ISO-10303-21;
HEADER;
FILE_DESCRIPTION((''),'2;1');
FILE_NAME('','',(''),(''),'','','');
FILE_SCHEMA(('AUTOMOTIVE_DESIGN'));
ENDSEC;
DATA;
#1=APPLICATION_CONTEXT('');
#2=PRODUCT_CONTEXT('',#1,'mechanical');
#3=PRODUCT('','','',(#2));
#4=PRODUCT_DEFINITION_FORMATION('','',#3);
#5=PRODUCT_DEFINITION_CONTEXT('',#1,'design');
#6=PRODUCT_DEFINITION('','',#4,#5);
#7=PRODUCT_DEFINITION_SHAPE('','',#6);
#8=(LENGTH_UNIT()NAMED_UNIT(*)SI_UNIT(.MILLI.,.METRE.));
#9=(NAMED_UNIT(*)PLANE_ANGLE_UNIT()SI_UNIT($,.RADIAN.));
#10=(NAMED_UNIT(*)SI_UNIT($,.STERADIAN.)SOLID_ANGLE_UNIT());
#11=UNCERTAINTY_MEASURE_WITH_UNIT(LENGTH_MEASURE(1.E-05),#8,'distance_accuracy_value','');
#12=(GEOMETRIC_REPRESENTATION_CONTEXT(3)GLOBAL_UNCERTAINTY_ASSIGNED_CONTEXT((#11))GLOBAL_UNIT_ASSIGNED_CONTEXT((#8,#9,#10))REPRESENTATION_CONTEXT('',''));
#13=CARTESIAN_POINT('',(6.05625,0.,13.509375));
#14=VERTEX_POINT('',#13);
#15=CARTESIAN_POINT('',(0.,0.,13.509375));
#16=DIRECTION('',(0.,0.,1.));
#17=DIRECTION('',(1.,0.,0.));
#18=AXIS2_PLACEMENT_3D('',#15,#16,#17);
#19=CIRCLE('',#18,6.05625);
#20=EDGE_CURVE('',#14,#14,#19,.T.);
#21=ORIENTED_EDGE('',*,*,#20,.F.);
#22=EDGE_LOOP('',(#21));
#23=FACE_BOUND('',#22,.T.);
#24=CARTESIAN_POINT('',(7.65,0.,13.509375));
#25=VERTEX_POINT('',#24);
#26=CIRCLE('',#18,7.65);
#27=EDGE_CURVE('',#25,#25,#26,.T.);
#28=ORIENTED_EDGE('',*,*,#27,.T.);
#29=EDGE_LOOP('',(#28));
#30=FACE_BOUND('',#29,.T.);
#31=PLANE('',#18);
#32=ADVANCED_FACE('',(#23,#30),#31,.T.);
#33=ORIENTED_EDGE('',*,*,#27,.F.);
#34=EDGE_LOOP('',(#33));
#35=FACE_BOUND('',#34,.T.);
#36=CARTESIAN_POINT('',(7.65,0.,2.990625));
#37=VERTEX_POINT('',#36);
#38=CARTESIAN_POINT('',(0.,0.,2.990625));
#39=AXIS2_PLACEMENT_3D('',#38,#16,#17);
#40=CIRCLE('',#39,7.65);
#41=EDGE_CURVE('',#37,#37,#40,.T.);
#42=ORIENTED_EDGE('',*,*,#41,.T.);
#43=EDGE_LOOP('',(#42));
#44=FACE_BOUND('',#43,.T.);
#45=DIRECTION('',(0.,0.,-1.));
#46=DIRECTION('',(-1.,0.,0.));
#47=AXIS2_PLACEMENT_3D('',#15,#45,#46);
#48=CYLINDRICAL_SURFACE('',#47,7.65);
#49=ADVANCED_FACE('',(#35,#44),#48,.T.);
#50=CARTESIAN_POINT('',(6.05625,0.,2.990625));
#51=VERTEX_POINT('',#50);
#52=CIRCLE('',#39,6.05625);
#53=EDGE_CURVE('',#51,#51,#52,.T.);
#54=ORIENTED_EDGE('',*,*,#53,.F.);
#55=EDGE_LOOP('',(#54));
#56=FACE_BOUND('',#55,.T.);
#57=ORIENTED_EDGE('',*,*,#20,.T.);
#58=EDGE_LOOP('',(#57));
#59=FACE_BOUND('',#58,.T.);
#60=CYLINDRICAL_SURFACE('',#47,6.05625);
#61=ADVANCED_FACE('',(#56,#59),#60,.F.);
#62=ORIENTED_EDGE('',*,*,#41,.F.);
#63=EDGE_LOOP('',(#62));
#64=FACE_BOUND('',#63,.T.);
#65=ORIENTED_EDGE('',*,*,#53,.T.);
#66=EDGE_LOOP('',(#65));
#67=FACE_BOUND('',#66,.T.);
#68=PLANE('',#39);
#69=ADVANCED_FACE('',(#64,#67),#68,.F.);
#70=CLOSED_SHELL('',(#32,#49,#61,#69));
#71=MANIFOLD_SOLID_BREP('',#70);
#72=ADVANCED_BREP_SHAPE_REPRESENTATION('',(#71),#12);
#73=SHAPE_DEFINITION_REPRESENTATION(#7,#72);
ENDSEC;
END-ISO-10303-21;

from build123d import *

# Parameters (mm, degrees)
SKETCH1_R           = 12
SKETCH1_R_2         = 9.5
BOSS_EXTRUDE1_DEPTH = 16.5
SCALE1_SCALE        = 0.75
SCALE2_SCALE        = 0.85


with BuildPart() as part:
    # Sketch1 → Boss-Extrude1 (new body)
    with BuildSketch(Plane(origin=(0, 0, 0), x_dir=(0, 1, 0), z_dir=(0, 0, 1))):
        Circle(SKETCH1_R)
        Circle(SKETCH1_R_2, mode=Mode.SUBTRACT)
    extrude(amount=BOSS_EXTRUDE1_DEPTH)


with BuildPart() as part_1:
    # Scale1: scaled about (0, 0, 8.25)
    add(part.part.scale(SCALE1_SCALE).moved(Location((0, 0, 2.0625))))


with BuildPart() as part_2:
    # Scale2: scaled about (0, 0, 8.25)
    add(part_1.part.scale(SCALE2_SCALE).moved(Location((0, 0, 1.2375))))


solid = part_2.part
